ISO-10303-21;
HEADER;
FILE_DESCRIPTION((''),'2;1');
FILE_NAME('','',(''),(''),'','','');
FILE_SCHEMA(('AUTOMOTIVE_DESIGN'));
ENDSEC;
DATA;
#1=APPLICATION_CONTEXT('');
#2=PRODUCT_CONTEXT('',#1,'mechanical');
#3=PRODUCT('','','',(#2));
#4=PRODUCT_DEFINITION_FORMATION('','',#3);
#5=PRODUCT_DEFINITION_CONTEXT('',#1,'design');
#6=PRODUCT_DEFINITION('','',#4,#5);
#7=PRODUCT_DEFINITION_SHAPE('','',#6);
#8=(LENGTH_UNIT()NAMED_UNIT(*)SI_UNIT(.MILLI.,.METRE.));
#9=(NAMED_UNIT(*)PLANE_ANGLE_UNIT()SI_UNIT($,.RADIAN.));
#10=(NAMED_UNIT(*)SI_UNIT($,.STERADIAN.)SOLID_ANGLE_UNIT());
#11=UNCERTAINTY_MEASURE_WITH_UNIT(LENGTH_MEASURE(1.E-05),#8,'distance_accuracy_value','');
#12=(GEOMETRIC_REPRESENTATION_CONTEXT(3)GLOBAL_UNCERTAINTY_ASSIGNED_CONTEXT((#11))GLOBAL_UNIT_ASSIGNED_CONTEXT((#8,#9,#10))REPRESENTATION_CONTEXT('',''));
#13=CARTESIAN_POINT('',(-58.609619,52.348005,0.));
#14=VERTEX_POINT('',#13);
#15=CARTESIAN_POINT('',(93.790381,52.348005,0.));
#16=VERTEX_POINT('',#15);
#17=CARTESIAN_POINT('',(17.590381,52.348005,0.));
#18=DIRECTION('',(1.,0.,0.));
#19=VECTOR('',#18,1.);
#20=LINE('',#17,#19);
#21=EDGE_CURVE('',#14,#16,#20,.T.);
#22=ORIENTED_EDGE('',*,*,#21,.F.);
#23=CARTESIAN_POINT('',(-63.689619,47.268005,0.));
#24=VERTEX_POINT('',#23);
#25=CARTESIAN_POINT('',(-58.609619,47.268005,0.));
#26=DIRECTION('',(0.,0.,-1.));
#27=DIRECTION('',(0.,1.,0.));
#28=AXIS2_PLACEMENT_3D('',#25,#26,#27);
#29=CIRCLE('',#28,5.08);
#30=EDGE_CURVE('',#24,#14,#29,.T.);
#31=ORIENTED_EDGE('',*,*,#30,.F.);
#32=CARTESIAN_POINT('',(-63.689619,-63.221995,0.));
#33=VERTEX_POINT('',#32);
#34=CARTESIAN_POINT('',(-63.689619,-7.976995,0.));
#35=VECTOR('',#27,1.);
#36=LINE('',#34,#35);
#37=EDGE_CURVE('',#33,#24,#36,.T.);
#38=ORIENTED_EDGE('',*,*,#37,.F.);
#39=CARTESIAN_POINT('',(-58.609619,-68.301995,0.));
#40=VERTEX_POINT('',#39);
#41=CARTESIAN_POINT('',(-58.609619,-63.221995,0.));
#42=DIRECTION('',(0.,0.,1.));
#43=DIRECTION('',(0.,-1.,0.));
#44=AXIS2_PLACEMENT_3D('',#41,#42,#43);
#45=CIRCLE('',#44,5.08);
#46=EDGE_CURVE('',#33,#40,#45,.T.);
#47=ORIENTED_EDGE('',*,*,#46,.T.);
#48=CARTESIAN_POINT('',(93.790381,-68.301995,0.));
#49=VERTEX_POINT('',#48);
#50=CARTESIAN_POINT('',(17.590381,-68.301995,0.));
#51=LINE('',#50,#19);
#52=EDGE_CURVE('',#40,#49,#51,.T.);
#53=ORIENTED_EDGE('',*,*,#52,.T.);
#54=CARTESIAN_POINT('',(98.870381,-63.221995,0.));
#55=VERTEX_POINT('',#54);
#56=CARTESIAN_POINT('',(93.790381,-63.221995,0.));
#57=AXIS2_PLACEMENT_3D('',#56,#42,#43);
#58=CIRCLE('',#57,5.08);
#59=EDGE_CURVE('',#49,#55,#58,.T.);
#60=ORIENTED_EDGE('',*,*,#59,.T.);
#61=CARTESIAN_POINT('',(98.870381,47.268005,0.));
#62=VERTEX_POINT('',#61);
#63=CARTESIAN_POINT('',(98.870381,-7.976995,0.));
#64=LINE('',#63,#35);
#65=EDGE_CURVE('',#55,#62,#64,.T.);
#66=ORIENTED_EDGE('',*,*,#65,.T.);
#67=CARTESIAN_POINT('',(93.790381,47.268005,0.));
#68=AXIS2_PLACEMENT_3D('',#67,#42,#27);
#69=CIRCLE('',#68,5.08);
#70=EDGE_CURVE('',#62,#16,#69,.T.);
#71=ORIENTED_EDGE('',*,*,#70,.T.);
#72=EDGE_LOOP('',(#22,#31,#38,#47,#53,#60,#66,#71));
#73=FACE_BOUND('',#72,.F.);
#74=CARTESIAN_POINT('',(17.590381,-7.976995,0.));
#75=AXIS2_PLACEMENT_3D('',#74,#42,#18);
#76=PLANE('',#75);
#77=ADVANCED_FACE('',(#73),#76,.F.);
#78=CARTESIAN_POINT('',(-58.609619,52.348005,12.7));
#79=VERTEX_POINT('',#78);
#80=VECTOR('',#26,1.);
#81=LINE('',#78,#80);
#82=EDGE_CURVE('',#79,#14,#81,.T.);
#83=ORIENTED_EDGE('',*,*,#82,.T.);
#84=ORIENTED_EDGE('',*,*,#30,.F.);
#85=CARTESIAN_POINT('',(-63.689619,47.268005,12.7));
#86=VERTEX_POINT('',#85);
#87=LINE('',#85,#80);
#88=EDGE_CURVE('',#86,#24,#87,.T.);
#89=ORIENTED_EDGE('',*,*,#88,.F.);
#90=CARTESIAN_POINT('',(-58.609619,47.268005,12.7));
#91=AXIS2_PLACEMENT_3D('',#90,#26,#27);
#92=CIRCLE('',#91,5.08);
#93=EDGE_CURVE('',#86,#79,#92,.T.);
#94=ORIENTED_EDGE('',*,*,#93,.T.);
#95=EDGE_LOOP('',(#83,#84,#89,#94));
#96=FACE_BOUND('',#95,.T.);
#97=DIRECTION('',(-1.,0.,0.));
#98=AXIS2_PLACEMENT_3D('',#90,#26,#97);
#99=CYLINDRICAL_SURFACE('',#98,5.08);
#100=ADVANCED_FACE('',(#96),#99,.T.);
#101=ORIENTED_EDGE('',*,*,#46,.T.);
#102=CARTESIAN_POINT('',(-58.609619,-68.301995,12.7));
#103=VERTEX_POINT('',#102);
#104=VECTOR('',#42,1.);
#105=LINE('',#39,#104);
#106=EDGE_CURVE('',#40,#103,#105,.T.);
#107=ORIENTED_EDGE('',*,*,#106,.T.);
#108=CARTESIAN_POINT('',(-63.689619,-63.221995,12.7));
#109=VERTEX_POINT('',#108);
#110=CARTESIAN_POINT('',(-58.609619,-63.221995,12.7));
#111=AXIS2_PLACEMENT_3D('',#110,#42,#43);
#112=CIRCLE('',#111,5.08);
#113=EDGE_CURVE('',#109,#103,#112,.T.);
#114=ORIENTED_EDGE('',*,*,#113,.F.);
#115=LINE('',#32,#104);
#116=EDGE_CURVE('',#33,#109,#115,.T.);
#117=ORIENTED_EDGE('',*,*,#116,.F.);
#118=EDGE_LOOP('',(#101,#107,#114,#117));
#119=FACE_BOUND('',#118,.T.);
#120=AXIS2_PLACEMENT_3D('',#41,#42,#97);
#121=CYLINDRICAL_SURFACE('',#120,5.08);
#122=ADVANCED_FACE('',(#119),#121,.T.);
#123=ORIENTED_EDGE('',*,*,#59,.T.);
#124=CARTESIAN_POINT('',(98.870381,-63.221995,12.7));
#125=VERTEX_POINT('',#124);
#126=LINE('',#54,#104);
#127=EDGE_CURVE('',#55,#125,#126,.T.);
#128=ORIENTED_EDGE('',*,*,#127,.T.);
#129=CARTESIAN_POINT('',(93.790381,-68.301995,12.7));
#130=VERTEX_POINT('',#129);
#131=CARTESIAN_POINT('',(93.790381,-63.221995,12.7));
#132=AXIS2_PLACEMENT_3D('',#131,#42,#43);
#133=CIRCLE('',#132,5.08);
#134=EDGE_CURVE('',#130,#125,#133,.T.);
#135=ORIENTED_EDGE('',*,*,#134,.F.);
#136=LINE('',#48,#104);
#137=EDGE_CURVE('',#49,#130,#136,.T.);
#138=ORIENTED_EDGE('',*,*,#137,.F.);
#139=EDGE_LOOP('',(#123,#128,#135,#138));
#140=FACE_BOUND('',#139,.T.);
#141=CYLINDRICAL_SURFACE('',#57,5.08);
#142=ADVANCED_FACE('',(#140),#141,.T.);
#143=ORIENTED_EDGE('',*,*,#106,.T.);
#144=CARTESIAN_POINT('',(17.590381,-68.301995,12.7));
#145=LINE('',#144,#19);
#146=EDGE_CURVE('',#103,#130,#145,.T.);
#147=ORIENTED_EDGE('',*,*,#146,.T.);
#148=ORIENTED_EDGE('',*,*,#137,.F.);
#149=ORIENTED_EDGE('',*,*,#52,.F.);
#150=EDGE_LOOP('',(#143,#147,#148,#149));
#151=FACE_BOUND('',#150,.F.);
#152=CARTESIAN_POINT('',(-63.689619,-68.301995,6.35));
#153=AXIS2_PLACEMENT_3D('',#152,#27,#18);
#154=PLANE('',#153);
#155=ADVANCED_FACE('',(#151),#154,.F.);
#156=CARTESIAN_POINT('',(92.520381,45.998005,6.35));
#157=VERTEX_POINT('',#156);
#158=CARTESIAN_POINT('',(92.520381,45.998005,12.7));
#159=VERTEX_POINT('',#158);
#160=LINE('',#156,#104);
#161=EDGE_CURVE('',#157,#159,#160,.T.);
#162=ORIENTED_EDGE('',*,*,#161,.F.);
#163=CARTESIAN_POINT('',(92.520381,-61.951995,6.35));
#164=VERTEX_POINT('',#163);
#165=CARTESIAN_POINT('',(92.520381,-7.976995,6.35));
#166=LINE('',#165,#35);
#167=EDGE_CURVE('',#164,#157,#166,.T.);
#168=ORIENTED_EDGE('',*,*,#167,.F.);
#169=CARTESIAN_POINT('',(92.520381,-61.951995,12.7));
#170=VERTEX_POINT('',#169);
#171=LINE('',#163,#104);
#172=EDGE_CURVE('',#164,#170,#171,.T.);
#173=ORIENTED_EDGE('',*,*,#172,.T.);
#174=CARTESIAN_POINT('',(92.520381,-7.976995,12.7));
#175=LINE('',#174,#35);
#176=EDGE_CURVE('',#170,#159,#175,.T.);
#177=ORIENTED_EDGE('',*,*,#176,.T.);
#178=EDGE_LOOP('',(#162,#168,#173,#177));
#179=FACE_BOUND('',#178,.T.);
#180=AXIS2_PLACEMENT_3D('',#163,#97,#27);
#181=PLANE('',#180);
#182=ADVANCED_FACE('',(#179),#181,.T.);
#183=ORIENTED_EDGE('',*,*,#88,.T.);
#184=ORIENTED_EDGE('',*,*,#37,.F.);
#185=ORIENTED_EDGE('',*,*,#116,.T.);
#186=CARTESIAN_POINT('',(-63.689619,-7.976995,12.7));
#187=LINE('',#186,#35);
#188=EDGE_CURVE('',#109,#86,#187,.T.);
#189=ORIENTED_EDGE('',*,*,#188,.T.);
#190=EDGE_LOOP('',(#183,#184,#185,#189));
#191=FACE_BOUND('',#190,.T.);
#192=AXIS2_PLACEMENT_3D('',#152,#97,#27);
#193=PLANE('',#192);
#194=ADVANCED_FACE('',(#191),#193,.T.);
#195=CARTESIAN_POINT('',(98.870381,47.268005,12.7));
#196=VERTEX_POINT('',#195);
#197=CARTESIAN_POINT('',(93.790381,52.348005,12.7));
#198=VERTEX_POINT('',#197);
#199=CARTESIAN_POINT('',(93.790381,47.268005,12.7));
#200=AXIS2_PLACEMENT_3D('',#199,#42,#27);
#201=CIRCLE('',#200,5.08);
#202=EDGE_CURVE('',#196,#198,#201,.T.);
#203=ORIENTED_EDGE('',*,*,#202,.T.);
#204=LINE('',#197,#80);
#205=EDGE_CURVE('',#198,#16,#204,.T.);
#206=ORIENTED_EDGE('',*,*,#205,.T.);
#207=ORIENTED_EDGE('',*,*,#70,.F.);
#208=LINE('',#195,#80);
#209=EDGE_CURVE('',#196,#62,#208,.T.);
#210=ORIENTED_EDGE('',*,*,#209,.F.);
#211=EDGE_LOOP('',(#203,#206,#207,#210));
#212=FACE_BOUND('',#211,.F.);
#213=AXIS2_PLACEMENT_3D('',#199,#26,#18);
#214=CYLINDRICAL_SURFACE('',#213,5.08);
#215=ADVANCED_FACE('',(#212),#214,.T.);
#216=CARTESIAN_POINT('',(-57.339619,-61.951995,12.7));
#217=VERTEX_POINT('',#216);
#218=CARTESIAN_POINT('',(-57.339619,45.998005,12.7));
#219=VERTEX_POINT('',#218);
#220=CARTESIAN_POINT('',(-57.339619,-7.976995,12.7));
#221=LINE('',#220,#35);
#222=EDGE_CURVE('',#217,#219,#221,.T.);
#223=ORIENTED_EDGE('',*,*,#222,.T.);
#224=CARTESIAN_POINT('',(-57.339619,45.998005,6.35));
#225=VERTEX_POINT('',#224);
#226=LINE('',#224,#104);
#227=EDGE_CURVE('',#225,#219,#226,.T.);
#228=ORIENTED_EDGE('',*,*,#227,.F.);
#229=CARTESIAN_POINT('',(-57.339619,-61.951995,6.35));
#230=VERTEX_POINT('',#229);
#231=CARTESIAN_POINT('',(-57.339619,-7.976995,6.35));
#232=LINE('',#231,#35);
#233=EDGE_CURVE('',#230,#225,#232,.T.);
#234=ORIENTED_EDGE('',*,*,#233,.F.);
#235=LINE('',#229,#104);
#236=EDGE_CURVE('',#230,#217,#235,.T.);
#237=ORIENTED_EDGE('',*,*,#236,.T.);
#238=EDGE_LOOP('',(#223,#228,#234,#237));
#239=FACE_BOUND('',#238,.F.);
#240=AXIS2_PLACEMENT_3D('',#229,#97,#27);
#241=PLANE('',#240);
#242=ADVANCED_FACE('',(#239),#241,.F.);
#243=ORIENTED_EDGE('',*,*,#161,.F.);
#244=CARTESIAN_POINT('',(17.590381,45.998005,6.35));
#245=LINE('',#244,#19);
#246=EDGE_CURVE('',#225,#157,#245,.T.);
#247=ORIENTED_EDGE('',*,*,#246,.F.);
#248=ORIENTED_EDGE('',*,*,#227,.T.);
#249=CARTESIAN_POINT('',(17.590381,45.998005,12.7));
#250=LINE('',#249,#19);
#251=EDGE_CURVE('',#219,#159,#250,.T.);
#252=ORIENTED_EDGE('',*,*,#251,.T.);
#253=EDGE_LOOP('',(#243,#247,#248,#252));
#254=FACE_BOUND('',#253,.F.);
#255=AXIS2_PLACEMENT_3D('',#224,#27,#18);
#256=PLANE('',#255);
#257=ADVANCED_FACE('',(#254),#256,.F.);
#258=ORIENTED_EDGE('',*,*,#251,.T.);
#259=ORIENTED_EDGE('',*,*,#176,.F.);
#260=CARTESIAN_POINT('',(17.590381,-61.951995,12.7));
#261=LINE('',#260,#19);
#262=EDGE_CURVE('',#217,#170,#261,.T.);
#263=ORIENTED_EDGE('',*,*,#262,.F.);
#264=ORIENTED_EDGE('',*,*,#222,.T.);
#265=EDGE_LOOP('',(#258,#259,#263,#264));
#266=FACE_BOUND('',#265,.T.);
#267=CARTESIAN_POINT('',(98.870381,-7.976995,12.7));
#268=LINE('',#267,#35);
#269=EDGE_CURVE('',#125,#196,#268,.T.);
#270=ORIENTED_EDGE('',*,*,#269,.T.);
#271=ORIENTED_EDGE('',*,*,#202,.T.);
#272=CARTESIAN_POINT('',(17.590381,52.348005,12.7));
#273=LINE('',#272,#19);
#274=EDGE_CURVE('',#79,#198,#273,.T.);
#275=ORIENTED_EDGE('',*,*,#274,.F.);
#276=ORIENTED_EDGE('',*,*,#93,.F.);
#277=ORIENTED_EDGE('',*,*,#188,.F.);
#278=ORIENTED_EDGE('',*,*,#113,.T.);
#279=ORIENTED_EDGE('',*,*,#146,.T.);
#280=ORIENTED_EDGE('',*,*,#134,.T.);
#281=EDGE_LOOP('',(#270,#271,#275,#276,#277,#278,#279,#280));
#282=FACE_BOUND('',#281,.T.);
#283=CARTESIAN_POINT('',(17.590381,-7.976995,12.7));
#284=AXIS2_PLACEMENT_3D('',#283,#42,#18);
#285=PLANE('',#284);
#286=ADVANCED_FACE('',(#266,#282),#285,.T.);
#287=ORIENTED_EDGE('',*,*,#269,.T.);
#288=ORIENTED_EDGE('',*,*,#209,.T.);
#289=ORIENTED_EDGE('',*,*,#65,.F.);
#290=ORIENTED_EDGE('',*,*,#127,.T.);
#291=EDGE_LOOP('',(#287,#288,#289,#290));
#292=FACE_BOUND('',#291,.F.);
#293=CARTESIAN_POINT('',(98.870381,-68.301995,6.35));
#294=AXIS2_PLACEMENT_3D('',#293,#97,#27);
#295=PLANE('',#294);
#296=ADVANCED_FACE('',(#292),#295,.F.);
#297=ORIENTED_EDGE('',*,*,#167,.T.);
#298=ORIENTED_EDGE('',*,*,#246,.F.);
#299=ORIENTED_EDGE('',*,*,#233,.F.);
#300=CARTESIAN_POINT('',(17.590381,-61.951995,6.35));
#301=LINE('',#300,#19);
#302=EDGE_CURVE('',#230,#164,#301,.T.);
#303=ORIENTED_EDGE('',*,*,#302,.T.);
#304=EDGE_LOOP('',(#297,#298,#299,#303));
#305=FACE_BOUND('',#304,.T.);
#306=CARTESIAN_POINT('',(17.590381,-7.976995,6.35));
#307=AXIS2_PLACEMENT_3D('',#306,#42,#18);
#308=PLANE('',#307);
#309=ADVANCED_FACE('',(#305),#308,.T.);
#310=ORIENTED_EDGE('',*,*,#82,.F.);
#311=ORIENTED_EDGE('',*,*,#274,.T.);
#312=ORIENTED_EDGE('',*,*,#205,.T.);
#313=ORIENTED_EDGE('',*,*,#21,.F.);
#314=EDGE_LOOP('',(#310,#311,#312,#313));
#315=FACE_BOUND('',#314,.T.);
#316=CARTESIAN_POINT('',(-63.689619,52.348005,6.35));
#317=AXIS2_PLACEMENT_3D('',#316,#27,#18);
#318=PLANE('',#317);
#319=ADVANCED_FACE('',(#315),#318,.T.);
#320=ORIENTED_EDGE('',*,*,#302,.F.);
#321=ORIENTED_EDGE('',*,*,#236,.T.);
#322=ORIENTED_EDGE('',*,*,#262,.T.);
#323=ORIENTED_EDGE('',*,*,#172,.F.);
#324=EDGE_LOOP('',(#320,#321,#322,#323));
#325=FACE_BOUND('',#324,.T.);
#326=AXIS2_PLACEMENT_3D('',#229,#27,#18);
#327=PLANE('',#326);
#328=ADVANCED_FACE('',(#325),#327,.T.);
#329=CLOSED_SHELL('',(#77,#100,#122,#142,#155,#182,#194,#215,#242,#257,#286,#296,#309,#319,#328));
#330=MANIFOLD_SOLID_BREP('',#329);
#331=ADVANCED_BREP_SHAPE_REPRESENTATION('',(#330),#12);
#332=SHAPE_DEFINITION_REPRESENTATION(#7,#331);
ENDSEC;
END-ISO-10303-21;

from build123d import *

# Parameters (mm, degrees)
F0_W     = 162.56
F0_H     = 120.65
F1_DEPTH = 6.35
F2_W     = 162.56
F2_H     = 120.65
F2_W_2   = 149.86
F2_H_2   = 107.95
F3_DEPTH = 6.35
F4_R     = 5.08


with BuildPart() as f1:
    # F0 (on Top) → F1 (new body)
    with BuildSketch(Plane.XY):
        with Locations((17.590381, -7.976995)):
            Rectangle(F0_W, F0_H)
    extrude(amount=F1_DEPTH)

    # F2 (on face) → F3 (join)
    with BuildSketch(Plane.XY.offset(6.35)):
        with Locations((17.590381, -7.976995)):
            Rectangle(F2_W, F2_H)
        with Locations((17.590381, -7.976995)):
            Rectangle(F2_W_2, F2_H_2, mode=Mode.SUBTRACT)
    extrude(amount=F3_DEPTH)

    # F4
    f4_edges = [f1.edges().sort_by_distance(p)[0] for p in [
        (98.870381, -68.301995, 6.35),
        (98.870381, 52.348005, 6.35),
        (-63.689619, 52.348005, 6.35),
        (-63.689619, -68.301995, 6.35),
    ]]
    fillet(f4_edges, radius=F4_R)


solid = f1.part
